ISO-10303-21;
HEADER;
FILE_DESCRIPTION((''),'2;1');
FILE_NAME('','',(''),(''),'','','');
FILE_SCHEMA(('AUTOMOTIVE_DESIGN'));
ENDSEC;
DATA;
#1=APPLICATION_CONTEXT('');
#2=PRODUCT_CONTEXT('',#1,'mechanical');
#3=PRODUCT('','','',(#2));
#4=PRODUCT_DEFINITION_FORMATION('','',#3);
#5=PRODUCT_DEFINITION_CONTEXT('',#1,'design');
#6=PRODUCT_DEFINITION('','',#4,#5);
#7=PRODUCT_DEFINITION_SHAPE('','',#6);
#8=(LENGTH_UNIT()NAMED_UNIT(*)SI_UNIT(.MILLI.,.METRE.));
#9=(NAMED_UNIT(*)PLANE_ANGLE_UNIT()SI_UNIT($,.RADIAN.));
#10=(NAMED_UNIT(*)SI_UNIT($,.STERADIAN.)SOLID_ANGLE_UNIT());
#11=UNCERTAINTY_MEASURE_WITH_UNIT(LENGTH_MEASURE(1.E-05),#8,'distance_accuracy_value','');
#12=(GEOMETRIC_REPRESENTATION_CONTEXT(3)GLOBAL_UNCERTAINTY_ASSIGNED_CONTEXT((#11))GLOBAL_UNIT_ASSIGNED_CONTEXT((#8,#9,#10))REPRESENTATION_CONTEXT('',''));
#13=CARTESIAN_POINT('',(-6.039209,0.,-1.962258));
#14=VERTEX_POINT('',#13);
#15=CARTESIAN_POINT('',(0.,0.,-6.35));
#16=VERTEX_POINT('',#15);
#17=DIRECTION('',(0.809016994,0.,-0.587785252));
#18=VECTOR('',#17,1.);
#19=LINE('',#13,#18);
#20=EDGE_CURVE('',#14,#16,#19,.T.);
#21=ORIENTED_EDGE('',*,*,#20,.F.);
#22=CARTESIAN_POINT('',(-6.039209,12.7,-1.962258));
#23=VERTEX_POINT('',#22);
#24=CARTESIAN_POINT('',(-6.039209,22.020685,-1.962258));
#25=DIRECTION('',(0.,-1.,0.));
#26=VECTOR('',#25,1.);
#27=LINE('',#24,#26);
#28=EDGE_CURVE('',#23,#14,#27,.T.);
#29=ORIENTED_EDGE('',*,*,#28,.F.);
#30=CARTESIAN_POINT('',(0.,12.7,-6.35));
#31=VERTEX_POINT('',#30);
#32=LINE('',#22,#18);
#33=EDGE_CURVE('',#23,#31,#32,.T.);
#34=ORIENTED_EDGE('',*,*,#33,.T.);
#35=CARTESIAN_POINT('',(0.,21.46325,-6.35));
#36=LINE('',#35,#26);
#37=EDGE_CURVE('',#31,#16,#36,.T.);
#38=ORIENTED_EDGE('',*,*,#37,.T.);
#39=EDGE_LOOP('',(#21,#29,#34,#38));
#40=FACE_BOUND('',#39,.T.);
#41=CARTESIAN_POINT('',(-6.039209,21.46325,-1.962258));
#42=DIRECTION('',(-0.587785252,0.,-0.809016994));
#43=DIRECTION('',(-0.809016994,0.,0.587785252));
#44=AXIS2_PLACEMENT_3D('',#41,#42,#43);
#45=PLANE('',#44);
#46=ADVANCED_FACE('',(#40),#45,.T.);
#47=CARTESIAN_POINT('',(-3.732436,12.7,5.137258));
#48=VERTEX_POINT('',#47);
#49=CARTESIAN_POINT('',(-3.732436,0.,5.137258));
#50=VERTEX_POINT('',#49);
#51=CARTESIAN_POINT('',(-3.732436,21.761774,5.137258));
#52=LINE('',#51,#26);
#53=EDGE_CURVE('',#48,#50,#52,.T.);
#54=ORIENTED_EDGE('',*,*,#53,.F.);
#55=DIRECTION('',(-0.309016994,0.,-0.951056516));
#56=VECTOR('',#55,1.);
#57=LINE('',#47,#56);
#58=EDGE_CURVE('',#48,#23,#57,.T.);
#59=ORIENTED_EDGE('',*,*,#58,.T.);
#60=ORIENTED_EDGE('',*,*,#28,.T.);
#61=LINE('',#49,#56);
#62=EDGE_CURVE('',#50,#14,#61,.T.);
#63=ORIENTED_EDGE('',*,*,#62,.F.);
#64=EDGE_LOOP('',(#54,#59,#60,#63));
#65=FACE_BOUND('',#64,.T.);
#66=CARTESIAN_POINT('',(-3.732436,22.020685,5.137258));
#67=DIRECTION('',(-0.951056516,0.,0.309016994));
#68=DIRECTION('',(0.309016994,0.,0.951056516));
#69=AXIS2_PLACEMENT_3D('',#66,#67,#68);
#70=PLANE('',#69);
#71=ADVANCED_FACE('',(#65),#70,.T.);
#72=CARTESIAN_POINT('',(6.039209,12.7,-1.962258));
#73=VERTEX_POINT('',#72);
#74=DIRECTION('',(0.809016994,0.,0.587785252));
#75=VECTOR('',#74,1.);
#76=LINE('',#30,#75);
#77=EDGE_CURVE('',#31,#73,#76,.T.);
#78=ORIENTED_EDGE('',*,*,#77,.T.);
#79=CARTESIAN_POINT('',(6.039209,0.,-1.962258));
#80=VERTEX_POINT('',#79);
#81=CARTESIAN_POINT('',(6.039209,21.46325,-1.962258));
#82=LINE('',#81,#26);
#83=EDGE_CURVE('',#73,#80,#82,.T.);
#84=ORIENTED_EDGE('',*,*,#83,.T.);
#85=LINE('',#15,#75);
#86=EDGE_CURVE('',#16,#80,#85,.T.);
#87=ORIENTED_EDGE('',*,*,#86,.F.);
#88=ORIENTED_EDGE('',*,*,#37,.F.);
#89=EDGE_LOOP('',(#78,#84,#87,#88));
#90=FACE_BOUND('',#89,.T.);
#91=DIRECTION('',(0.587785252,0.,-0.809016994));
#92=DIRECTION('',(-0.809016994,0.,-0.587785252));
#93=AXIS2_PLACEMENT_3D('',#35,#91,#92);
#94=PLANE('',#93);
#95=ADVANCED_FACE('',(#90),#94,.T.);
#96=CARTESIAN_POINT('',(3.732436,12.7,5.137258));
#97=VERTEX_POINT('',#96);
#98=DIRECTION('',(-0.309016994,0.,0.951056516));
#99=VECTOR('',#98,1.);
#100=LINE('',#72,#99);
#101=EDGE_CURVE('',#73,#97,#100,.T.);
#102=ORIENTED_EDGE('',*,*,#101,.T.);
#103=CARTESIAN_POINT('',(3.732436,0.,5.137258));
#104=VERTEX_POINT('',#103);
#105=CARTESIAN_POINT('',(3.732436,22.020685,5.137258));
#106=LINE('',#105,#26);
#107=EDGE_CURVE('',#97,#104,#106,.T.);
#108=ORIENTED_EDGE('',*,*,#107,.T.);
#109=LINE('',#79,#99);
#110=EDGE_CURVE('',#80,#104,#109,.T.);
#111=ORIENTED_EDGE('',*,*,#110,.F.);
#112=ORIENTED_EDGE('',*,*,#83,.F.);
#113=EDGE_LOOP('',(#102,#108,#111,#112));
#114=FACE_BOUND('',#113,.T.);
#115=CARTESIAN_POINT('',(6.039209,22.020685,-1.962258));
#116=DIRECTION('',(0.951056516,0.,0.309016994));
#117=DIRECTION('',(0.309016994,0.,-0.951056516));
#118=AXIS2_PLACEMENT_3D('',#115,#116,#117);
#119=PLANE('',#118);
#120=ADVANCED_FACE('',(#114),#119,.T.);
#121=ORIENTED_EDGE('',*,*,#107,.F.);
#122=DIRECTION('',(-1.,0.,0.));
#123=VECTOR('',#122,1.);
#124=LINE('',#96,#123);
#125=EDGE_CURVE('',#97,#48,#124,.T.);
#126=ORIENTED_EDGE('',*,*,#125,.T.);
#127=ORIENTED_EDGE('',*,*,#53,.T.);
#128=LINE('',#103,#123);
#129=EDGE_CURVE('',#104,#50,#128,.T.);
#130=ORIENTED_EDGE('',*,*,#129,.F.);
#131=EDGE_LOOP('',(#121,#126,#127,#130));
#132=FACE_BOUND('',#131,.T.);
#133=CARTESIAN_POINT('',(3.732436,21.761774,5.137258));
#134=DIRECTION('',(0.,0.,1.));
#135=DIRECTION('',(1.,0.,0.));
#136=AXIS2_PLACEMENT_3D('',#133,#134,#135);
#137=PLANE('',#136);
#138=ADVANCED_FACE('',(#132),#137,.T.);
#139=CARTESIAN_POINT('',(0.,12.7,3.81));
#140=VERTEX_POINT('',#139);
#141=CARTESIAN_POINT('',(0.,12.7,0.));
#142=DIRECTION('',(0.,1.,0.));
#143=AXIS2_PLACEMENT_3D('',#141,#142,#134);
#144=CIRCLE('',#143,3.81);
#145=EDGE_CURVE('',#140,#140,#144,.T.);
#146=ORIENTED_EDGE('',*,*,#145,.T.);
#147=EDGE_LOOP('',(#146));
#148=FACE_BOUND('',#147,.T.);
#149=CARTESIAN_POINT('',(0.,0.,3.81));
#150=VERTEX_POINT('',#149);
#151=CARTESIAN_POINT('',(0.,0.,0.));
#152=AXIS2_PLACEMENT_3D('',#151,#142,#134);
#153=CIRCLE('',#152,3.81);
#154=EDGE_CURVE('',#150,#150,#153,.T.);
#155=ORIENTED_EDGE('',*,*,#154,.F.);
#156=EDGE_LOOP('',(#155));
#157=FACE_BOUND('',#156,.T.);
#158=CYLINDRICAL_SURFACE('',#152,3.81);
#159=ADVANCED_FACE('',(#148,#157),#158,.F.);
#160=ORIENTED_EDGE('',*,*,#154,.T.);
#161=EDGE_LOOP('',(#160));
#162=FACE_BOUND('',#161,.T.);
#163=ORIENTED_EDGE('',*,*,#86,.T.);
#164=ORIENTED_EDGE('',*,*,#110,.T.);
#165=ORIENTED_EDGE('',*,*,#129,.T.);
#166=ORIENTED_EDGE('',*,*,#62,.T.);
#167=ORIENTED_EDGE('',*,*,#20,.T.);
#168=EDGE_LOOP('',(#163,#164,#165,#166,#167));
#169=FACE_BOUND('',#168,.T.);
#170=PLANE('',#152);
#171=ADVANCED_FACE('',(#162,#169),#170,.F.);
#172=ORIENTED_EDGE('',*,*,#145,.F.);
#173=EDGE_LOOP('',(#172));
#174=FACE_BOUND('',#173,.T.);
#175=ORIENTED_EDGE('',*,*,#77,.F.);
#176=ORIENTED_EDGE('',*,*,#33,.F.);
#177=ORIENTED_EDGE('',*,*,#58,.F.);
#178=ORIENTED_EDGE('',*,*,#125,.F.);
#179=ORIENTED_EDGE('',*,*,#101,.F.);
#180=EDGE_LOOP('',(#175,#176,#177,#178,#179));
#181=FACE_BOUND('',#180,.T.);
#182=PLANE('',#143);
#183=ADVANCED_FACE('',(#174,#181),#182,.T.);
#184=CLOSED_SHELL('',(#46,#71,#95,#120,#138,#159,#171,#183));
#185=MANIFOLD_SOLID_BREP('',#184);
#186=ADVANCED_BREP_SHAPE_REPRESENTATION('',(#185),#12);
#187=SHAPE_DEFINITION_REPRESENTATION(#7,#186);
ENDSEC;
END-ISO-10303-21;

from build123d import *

# Parameters (mm, degrees)
BOSS_EXTRUDE1_DEPTH = 12.7
CIRPATTERN1_COUNT   = 5
SKETCH3_R           = 3.81
CUT_EXTRUDE1_DEPTH  = 16.42998846


with BuildPart() as part:
    # Sketch1 → Boss-Extrude1 (new body)
    with BuildSketch(Plane(origin=(0, 0, 0), x_dir=(1, 0, 0), z_dir=(0, 1, 0))):
        Polygon((0, 6.35), (6.039208878, 1.962257914), (0, 0), align=None)
    boss_extrude1 = extrude(amount=BOSS_EXTRUDE1_DEPTH)

    # CirPattern1: Boss-Extrude1 ×5 about axis
    cirpattern1_axis = Axis((0, 0, 0), (0, 1, 0))
    for i in range(1, CIRPATTERN1_COUNT):
        add(boss_extrude1.rotate(cirpattern1_axis, i * 360 / CIRPATTERN1_COUNT))

    # Sketch3 → Cut-Extrude1 (cut, through all)
    with BuildSketch(Plane(origin=(0, 12.7, 0), x_dir=(1, 0, 0), z_dir=(0, 1, 0))):
        with Locations(Location((0, 0, 0), (0, 0, 270))):
            Circle(SKETCH3_R)
    extrude(amount=-CUT_EXTRUDE1_DEPTH, mode=Mode.SUBTRACT)


solid = part.part
